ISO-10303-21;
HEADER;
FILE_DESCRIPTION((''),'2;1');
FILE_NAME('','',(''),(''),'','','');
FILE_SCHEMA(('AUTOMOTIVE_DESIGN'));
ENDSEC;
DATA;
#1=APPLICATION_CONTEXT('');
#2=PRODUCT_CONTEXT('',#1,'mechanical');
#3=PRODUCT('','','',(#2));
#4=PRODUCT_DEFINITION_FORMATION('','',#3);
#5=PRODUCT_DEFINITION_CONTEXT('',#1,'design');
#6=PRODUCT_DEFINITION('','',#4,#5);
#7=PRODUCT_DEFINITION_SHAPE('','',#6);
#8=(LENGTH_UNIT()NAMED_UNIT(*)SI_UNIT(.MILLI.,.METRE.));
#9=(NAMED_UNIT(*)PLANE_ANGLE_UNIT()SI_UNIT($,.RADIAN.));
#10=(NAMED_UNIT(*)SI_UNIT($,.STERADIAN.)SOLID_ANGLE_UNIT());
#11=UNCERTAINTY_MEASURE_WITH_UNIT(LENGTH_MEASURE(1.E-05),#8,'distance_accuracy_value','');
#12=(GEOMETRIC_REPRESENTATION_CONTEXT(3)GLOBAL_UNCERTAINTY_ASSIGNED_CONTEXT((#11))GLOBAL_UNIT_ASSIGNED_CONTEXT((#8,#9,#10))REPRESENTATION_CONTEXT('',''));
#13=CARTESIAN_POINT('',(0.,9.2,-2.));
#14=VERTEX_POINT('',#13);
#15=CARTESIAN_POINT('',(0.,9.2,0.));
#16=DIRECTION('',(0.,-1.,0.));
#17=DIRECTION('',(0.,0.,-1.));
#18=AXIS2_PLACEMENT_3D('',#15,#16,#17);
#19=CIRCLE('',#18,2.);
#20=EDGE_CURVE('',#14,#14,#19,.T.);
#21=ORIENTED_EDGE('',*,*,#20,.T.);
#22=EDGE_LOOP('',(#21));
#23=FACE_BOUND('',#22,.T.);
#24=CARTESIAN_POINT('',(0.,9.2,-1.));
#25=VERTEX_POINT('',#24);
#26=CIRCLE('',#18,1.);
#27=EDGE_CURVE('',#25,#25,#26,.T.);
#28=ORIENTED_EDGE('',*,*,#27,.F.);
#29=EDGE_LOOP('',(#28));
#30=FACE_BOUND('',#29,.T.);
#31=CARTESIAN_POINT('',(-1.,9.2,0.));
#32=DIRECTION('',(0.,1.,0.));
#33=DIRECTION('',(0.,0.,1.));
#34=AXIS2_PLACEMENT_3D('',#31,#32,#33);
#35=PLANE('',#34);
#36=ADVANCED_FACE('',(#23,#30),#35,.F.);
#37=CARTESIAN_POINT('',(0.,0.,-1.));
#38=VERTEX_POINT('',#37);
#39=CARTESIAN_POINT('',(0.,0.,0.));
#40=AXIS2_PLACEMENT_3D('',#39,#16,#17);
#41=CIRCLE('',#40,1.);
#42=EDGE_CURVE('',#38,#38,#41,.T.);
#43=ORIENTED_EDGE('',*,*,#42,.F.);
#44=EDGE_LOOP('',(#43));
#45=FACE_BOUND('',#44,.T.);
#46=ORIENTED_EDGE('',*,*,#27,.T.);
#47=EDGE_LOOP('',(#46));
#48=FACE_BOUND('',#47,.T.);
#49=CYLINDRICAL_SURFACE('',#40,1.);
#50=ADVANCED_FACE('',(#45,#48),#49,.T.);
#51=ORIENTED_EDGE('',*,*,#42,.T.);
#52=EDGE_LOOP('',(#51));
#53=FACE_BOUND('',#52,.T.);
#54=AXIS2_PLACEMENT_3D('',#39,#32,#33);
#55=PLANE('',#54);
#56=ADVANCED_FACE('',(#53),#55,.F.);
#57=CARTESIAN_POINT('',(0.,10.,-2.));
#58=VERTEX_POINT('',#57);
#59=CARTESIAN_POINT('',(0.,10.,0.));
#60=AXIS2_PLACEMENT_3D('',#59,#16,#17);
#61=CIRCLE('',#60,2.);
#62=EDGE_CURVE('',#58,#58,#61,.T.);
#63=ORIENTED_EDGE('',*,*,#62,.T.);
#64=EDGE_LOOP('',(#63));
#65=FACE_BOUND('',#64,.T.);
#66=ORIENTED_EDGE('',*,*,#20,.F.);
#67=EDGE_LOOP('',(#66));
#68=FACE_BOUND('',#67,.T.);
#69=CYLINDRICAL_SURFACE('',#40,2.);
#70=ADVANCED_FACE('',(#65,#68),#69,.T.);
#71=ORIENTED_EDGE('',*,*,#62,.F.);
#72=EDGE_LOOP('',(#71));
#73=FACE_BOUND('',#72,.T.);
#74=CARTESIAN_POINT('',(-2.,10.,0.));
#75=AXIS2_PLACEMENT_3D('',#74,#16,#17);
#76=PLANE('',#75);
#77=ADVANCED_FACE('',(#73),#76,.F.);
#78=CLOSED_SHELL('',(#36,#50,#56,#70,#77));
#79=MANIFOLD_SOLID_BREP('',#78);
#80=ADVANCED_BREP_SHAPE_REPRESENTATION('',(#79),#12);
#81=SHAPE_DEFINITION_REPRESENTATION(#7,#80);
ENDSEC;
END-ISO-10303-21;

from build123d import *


with BuildPart() as part:
    # 草图1 → 旋转1 (revolve)
    with BuildSketch(Plane.XY):
        Polygon((0, 0), (-1, 0), (-1, 9.2), (-2, 9.2), (-2, 10), (0, 10), align=None)
    revolve(axis=Axis((0, 0, 0), (0, 1, 0)))


solid = part.part
